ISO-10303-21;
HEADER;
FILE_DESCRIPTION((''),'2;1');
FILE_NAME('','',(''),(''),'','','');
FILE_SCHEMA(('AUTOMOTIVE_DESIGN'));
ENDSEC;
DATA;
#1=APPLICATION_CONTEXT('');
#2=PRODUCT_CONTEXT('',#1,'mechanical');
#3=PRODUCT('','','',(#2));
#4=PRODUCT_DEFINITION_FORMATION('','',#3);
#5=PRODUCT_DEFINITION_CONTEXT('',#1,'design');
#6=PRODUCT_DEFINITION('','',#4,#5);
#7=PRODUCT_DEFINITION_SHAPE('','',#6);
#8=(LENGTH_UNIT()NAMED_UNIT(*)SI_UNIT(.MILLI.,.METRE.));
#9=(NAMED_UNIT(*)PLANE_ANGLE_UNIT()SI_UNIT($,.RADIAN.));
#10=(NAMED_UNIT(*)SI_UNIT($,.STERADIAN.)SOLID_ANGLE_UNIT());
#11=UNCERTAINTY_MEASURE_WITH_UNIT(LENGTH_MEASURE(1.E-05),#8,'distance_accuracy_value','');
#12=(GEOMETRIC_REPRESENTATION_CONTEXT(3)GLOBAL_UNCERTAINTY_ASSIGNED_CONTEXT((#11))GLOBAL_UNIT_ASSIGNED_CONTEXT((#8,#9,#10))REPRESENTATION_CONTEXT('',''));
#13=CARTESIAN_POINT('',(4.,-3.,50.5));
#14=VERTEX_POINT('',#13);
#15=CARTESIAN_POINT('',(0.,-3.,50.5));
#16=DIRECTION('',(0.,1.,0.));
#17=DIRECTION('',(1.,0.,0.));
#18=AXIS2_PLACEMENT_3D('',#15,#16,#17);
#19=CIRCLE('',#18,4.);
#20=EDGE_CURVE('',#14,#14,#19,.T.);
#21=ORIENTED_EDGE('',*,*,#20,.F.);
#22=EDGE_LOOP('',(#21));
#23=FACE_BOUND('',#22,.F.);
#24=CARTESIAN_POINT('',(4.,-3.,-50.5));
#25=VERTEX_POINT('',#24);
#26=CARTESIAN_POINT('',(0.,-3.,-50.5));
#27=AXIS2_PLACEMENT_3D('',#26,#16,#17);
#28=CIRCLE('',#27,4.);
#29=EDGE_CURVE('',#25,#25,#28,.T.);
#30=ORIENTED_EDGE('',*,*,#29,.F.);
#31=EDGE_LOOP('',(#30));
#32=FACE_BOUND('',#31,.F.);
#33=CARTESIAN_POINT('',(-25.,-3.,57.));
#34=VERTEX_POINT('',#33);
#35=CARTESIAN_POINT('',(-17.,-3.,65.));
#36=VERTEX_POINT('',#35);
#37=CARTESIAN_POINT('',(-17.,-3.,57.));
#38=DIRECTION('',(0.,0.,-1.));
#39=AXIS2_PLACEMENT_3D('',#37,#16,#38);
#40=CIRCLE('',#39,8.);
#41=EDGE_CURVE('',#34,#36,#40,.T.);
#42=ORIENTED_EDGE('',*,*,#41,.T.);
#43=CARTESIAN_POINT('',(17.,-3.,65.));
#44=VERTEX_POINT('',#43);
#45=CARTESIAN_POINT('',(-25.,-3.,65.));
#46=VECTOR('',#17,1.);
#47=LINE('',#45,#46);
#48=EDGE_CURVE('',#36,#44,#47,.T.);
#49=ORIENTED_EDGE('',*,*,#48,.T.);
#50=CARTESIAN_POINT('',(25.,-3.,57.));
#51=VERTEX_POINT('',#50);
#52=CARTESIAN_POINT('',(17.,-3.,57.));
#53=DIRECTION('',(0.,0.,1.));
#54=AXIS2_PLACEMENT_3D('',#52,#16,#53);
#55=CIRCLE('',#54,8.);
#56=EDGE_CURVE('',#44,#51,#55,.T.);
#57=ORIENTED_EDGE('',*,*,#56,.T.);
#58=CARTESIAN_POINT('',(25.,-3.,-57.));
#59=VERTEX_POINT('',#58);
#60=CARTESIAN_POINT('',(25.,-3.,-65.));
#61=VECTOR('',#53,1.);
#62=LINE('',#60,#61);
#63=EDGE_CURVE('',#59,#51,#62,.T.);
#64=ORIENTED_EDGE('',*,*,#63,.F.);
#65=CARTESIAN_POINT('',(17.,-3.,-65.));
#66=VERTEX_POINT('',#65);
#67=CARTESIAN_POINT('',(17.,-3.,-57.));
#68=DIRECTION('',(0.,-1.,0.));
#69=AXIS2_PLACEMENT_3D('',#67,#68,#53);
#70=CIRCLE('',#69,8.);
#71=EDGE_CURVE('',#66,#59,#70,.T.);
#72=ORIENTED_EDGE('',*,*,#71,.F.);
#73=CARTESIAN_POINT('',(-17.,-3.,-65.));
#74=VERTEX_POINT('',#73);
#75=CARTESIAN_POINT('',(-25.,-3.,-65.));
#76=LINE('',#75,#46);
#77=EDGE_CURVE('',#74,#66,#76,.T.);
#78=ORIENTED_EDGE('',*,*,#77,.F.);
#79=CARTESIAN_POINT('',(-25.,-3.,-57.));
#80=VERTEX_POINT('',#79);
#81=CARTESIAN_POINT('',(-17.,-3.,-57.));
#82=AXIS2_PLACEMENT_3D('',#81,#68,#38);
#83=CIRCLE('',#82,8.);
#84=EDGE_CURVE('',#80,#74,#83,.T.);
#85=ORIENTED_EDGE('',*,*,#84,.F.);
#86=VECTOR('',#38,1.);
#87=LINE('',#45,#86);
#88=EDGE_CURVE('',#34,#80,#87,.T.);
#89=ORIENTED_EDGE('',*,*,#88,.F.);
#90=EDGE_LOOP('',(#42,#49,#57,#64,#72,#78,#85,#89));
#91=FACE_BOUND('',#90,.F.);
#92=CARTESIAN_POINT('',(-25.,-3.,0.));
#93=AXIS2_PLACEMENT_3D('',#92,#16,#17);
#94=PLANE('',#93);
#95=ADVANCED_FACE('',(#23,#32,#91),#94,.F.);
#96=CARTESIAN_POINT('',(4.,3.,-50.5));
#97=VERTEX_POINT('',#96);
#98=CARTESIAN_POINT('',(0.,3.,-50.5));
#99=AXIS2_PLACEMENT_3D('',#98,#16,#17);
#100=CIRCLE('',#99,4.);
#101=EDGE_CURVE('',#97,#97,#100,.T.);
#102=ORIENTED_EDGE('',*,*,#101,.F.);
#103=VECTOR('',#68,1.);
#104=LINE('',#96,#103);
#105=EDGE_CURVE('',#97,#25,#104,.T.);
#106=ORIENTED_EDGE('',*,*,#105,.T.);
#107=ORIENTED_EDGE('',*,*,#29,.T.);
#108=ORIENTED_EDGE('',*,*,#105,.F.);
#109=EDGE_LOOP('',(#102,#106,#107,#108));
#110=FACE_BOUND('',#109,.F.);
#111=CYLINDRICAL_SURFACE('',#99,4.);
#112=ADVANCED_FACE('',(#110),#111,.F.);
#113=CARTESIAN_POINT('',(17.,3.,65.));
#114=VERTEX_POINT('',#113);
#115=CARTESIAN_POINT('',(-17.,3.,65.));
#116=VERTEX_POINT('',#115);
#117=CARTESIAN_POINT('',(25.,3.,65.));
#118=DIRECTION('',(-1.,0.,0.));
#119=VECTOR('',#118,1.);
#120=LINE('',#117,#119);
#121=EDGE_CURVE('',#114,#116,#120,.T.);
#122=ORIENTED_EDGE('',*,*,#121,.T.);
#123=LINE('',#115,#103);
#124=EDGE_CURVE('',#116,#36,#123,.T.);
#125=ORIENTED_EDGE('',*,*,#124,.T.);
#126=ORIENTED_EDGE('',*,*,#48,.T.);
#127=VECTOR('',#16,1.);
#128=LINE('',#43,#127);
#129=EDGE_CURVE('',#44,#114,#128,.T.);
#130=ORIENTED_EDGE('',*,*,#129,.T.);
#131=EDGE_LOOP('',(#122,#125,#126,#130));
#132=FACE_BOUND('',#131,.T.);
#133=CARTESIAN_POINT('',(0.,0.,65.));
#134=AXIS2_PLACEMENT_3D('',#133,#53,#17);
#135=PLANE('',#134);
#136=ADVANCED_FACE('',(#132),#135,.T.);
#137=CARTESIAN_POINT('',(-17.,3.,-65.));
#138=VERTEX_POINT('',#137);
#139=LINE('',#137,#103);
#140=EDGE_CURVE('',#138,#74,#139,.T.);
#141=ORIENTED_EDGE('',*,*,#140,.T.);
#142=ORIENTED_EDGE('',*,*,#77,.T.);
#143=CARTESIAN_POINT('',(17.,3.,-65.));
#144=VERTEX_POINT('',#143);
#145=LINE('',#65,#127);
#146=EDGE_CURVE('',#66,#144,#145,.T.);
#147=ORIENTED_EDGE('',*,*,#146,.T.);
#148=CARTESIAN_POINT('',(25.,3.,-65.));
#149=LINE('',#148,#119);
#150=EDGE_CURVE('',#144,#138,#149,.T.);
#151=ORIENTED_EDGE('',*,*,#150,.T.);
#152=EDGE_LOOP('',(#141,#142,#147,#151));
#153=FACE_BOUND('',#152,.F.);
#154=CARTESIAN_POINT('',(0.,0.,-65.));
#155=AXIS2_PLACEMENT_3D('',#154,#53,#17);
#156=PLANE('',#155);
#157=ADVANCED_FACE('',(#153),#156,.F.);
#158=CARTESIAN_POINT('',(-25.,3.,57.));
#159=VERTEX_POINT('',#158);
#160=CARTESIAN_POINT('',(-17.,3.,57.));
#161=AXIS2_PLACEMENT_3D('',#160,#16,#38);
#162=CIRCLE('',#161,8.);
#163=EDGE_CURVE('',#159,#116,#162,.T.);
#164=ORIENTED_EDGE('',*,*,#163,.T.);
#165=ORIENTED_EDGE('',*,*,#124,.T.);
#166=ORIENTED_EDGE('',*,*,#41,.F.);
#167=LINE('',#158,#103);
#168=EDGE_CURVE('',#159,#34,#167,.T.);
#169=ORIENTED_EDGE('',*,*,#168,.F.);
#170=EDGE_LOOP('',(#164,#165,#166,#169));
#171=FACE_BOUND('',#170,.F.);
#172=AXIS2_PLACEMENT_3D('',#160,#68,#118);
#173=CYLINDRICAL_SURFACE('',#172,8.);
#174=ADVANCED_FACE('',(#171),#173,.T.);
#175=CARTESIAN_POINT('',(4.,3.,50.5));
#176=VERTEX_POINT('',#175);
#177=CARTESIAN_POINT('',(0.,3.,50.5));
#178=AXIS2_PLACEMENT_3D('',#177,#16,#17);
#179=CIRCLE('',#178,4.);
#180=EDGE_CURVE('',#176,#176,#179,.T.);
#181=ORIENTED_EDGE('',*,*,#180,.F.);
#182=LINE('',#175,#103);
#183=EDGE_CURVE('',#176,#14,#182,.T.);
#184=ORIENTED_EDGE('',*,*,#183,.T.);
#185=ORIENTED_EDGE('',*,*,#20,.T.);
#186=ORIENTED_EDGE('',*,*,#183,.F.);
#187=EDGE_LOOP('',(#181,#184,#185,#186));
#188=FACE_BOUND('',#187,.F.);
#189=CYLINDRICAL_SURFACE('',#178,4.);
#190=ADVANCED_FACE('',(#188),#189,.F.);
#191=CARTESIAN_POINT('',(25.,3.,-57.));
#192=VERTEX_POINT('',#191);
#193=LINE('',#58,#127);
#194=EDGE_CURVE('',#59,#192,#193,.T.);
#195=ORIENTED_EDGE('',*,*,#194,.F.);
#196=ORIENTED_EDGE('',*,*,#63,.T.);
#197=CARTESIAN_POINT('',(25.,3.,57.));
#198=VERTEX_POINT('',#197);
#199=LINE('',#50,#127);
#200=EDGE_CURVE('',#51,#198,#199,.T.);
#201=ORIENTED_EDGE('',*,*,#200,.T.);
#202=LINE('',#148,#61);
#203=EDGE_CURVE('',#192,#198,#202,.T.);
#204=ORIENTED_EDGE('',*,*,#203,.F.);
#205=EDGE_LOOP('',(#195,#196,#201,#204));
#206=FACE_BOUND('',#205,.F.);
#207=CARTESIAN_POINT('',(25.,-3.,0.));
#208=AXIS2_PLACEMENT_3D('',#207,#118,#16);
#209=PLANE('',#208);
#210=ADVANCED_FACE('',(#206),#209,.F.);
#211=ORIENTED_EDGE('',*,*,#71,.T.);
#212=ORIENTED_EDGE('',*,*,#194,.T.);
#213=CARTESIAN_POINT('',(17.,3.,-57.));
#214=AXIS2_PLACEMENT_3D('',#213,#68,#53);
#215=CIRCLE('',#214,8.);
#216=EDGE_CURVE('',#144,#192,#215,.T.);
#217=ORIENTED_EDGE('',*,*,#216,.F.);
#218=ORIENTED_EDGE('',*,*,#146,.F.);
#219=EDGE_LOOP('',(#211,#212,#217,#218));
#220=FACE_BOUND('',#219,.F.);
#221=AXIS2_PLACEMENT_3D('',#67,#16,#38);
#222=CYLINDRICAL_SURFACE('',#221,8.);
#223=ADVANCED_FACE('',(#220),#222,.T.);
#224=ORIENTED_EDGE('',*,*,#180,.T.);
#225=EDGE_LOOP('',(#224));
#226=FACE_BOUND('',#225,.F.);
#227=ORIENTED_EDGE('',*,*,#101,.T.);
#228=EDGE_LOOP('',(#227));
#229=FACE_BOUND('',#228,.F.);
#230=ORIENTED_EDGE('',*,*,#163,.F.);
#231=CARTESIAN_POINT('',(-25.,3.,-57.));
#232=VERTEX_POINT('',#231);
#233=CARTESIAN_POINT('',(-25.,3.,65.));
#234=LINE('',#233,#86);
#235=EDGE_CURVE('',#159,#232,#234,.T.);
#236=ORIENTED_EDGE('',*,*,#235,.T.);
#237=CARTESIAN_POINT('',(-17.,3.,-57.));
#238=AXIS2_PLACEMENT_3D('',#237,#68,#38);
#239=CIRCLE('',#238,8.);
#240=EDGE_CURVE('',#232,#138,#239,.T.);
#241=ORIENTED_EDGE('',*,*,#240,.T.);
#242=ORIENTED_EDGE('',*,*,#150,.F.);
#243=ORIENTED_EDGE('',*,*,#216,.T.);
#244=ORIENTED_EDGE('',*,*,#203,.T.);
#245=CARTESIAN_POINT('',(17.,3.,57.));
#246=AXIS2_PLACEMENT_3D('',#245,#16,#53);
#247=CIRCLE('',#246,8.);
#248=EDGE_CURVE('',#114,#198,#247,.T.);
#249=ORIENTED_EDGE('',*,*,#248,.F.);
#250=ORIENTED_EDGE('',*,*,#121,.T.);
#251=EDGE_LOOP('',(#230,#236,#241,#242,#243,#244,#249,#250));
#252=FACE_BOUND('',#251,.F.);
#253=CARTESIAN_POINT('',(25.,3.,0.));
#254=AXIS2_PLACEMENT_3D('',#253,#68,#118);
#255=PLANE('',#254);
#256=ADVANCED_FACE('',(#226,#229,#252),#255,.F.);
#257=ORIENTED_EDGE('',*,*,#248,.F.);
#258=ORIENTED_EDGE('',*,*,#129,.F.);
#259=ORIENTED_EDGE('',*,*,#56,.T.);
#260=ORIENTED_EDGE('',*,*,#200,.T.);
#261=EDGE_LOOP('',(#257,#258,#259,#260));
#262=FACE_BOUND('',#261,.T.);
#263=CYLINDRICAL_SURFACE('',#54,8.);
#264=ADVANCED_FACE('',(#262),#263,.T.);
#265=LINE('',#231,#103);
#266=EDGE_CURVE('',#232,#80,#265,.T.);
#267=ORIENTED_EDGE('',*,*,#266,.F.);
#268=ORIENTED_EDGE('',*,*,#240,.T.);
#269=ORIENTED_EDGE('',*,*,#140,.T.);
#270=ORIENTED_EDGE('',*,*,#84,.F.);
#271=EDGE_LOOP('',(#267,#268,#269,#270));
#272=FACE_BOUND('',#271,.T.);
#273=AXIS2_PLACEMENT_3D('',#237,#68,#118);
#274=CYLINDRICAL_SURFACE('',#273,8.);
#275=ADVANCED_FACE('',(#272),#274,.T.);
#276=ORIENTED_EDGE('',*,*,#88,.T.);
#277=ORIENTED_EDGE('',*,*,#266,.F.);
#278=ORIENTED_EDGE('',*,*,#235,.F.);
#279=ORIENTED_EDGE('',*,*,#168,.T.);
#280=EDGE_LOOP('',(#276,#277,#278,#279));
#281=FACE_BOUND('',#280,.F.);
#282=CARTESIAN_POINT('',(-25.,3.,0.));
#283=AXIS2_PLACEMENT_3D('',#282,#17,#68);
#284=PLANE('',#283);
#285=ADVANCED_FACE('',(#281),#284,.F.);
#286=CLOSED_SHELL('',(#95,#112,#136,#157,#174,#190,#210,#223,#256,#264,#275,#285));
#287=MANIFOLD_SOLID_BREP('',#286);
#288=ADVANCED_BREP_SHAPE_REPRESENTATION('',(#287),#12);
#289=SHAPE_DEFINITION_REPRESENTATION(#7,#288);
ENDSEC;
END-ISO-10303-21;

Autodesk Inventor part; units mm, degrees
ref_plane "YZ Plane" through (0, 0, 0) normal (1, 0, 0) x (0, 1, 0)
ref_plane "XZ Plane" through (0, 0, 0) normal (0, 1, 0) x (-1, 0, 0)
ref_plane "XY Plane" through (0, 0, 0) normal (0, 0, 1) x (1, 0, 0)
sketch "Boceto3" plane through (0, 0, 0) normal (0, 0, 1) x (1, 0, 0)
  line L0 (25, -3) -> (25, 3)
  line L1 (25, 3) -> (-25, 3)
  line L2 (-25, 3) -> (-25, -3)
  line L3 (-25, -3) -> (25, -3)
  line L4 (25, -3) -> (-25, 3) construction
  line L5 (25, 3) -> (-25, -3) construction
  point P0 (0, 0)
  dimension "d15" = 6
  dimension "d16" = 50
extrude "Extrusión3" add sketch "Boceto3" along normal mid plane 130
sketch "Boceto4" plane through (-25, 3, 65) normal (0, 1, 0) x (1, 0, 0)
  line L0 (40, 102.5) -> (40, 27.5)
  line L1 (40, 27.5) -> (10, 27.5)
  line L2 (10, 27.5) -> (10, 102.5)
  line L3 (10, 102.5) -> (40, 102.5)
  line L4 (40, 102.5) -> (10, 27.5) construction
  line L5 (40, 27.5) -> (10, 102.5) construction
  circle A0 centre (25, 14.5) radius 4
  circle A1 centre (25, 14.5) radius 13
  line L6 (19.6627, 65) -> (30.4742, 65)
  circle A2 centre (25, 115.5) radius 4
  circle A3 centre (25, 115.5) radius 13
  point P0 (25, 65)
  point P1 (25, 65)
  dimension "d19" = 75
  dimension "d20" = 8
  dimension "d21" = 26
extrude "Extrusión4" cut sketch "Boceto4" against normal through all contours A0 | A2
fillet "Empalme2" radius 8 4 edges at (25, 0, 65) (-25, 0, 65) (-25, 0, -65) (25, 0, -65)
properties part number "SIDE BEARING GUIDE" material "Acero"
